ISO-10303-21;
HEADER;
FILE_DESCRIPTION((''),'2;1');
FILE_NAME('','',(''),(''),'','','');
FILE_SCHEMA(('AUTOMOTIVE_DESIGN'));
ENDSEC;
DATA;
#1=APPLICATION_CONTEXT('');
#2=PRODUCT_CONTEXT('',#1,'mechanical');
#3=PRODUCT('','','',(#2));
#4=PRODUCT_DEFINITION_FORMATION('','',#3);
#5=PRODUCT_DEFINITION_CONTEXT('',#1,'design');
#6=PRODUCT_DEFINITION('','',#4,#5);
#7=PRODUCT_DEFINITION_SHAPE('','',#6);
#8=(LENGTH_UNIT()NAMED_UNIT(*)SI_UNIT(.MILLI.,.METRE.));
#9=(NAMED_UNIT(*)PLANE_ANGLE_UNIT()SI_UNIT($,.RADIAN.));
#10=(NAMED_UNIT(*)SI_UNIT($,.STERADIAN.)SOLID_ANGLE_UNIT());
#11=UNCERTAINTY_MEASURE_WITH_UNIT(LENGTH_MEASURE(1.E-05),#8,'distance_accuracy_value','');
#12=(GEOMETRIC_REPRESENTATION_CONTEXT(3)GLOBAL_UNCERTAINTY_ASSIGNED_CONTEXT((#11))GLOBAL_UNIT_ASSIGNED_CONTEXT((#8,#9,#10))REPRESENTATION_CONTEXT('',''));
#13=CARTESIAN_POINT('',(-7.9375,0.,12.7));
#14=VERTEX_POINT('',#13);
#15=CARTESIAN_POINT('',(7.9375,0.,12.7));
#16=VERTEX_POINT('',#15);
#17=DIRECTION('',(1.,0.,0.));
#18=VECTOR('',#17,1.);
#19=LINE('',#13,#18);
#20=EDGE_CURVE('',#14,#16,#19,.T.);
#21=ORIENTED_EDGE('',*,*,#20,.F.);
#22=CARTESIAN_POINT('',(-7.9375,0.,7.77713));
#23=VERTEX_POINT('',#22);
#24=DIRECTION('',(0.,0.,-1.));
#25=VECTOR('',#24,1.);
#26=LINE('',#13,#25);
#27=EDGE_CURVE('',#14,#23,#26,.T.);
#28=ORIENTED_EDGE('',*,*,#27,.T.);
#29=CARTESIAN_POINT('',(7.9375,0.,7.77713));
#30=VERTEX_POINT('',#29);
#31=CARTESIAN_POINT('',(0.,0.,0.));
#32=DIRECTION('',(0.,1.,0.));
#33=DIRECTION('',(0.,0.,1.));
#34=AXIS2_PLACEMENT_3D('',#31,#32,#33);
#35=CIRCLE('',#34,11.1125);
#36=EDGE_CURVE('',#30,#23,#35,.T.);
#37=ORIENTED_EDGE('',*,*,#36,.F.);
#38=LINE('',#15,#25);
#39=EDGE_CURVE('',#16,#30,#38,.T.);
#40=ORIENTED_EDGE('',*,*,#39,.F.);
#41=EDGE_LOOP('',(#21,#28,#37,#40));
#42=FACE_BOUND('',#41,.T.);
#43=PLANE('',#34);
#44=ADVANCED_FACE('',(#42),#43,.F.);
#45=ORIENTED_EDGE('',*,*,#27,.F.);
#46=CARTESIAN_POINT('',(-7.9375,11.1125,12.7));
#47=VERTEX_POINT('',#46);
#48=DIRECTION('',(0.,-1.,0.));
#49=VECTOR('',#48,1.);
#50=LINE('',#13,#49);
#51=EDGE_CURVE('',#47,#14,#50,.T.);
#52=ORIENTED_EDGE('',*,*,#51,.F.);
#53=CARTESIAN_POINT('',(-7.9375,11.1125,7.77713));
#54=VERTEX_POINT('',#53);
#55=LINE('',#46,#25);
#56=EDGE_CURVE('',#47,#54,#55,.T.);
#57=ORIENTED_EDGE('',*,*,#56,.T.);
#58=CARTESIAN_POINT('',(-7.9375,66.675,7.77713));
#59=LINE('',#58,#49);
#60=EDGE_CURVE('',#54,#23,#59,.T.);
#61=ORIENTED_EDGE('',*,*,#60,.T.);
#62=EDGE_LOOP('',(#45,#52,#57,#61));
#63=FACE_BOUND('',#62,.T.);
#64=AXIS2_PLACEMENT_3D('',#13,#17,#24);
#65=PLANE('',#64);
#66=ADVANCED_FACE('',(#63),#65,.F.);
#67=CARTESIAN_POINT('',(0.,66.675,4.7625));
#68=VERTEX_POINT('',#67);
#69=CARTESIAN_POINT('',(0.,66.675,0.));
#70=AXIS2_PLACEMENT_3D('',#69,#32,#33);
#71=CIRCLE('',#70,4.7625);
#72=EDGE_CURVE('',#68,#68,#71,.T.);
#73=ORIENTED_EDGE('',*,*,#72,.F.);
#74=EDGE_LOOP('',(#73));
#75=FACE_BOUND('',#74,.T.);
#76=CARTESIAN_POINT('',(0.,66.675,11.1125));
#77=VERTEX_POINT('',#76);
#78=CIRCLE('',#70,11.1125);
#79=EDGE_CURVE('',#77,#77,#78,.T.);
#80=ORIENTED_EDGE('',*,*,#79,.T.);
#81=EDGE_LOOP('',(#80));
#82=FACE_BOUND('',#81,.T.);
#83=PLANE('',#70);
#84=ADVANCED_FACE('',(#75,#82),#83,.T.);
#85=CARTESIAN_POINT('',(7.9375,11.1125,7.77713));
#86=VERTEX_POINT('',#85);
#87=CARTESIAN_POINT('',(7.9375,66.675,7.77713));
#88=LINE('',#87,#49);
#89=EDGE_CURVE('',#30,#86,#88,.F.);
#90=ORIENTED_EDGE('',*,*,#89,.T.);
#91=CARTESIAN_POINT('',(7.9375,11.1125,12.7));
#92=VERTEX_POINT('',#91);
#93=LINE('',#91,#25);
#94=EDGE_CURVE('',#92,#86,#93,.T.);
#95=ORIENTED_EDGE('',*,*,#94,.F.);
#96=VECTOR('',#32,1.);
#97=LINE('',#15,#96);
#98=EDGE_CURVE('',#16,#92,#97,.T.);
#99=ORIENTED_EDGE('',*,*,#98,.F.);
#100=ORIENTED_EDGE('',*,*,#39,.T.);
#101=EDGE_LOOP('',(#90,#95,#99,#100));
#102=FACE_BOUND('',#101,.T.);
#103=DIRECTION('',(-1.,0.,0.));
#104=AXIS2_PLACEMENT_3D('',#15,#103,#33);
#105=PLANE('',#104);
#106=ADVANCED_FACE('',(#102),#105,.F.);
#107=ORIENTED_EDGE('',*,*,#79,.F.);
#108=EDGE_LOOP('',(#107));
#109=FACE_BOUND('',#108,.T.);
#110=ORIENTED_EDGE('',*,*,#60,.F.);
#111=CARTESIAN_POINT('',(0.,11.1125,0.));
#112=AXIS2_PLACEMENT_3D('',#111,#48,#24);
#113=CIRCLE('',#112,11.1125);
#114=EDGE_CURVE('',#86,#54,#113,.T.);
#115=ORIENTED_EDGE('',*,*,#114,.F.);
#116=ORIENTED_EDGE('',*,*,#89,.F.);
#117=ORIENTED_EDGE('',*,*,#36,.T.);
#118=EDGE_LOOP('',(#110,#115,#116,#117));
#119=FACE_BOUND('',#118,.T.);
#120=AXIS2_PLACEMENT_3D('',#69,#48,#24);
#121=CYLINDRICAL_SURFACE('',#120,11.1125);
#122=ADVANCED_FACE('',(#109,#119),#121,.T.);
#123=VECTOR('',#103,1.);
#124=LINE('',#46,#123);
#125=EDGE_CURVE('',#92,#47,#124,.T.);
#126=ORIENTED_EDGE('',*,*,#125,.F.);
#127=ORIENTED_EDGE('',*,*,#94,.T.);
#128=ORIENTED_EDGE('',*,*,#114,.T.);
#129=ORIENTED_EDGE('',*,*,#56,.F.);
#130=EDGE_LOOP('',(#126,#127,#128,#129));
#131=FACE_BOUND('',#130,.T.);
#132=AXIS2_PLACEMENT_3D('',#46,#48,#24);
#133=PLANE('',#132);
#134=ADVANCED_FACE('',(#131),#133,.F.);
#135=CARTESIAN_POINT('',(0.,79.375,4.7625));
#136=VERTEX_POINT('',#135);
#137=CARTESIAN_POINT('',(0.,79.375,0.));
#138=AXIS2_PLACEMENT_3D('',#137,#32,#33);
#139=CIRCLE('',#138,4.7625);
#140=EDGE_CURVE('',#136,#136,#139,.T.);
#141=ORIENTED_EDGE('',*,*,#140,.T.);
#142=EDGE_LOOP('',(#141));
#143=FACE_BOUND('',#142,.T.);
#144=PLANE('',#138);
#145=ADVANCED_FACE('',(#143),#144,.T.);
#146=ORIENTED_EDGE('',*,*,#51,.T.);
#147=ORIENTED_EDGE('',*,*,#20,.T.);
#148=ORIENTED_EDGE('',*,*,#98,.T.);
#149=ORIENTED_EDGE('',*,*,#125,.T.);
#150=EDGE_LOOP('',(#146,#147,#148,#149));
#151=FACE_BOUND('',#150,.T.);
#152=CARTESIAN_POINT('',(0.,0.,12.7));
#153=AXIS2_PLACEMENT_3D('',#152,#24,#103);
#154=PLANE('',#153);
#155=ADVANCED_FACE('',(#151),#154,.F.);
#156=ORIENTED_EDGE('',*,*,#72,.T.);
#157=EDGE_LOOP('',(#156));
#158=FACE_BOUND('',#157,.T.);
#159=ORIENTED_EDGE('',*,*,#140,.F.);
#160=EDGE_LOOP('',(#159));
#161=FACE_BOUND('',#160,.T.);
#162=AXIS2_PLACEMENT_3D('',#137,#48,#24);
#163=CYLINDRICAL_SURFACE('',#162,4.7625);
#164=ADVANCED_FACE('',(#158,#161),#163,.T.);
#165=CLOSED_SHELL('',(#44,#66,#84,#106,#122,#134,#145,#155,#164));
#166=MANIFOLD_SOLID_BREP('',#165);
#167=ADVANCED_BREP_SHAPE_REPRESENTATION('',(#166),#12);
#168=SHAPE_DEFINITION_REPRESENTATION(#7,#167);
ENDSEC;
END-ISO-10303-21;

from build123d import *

# Parameters (mm, degrees)
SKETCH1_R           = 11.1125
BOSS_EXTRUDE1_DEPTH = 66.675
SKETCH2_W           = 15.875
SKETCH2_H           = 11.1125
BOSS_EXTRUDE2_DEPTH = 12.7
SKETCH3_R           = 4.7625
BOSS_EXTRUDE3_DEPTH = 12.7


with BuildPart() as part:
    # Sketch1 → Boss-Extrude1 (new body)
    with BuildSketch(Plane(origin=(0, 0, 0), x_dir=(1, 0, 0), z_dir=(0, 1, 0))):
        Circle(SKETCH1_R)
    extrude(amount=BOSS_EXTRUDE1_DEPTH)

    # Sketch2 → Boss-Extrude2 (add)
    with BuildSketch(Plane.XY):
        with Locations((0, 5.55625)):
            Rectangle(SKETCH2_W, SKETCH2_H)
    extrude(amount=BOSS_EXTRUDE2_DEPTH)

    # Sketch3 → Boss-Extrude3 (add)
    with BuildSketch(Plane(origin=(0, 66.675, 0), x_dir=(1, 0, 0), z_dir=(0, 1, 0))):
        Circle(SKETCH3_R)
    extrude(amount=BOSS_EXTRUDE3_DEPTH)


solid = part.part
